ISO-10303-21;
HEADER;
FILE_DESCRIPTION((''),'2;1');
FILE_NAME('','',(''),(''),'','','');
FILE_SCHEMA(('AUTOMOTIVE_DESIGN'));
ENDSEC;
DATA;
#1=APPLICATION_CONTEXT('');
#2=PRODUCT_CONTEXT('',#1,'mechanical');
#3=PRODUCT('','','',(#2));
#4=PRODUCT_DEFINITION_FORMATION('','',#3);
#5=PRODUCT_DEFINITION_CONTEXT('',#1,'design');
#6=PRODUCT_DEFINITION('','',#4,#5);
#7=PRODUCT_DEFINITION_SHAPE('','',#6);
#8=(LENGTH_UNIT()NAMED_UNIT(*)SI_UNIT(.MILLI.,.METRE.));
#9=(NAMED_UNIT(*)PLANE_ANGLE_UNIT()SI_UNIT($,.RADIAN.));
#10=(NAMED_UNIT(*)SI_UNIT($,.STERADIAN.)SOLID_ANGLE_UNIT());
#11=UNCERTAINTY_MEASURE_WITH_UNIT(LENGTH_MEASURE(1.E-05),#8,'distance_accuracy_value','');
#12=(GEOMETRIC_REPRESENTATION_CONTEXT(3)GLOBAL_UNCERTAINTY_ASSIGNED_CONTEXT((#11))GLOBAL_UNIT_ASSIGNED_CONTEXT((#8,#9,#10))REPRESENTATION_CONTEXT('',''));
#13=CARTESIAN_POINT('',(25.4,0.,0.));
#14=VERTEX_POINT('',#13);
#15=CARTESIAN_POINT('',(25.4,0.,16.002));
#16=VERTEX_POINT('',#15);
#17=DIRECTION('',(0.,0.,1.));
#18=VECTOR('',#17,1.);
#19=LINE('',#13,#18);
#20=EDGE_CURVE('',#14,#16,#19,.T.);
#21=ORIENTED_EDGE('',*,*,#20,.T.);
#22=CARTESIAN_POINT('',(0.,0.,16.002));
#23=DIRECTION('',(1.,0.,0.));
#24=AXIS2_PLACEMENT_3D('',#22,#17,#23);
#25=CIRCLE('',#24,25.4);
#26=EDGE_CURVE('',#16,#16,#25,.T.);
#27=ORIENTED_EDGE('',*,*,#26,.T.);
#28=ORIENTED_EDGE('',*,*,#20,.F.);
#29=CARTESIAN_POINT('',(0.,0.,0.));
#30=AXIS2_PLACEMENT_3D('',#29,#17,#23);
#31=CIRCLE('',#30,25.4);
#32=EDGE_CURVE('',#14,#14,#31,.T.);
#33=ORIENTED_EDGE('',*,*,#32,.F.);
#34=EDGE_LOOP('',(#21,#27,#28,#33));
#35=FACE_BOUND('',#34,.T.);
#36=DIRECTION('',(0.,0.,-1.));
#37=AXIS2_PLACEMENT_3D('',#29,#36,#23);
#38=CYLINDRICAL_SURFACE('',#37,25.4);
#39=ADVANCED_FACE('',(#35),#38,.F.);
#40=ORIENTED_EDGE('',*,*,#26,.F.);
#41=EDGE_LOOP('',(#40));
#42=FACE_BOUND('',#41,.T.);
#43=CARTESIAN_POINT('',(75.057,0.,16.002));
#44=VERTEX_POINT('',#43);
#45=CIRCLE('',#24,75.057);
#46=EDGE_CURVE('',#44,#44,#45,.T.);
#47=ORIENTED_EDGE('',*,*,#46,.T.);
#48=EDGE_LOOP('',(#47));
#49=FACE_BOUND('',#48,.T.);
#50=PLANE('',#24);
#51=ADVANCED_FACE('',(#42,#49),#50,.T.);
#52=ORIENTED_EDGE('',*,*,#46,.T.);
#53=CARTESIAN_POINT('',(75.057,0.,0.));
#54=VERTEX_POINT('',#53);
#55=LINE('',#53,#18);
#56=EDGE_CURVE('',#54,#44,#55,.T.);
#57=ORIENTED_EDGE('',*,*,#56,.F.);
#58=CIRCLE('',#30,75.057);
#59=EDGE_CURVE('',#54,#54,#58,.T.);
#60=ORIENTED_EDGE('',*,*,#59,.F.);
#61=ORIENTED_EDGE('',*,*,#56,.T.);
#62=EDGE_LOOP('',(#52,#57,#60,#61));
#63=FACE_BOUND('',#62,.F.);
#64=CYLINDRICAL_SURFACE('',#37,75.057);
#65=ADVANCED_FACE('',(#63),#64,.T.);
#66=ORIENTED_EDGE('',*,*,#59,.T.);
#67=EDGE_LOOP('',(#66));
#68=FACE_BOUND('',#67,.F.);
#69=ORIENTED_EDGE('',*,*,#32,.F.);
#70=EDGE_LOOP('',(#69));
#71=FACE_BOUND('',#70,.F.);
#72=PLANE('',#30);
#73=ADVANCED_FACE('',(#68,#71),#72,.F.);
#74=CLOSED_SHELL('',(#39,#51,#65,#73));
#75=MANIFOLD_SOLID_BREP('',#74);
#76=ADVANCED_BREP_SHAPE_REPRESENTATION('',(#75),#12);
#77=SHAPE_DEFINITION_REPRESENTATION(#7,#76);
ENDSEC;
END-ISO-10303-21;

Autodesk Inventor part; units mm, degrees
ref_plane "YZ Plane" through (0, 0, 0) normal (1, 0, 0) x (0, 1, 0)
ref_plane "XZ Plane" through (0, 0, 0) normal (0, 1, 0) x (-1, 0, 0)
ref_plane "XY Plane" through (0, 0, 0) normal (0, 0, 1) x (1, 0, 0)
sketch "Sketch1" plane through (0, 0, 0) normal (0, 0, 1) x (1, 0, 0)
  circle A0 centre (0, 0) radius 75.057
  circle A1 centre (0, 0) radius 25.4
  dimension "d0" = 150.114
  dimension "d1" = 50.8
extrude "Extrusion1" add sketch "Sketch1" along normal blind 16.002
properties part number "CounterweightPlate" material "Iron, Cast"
